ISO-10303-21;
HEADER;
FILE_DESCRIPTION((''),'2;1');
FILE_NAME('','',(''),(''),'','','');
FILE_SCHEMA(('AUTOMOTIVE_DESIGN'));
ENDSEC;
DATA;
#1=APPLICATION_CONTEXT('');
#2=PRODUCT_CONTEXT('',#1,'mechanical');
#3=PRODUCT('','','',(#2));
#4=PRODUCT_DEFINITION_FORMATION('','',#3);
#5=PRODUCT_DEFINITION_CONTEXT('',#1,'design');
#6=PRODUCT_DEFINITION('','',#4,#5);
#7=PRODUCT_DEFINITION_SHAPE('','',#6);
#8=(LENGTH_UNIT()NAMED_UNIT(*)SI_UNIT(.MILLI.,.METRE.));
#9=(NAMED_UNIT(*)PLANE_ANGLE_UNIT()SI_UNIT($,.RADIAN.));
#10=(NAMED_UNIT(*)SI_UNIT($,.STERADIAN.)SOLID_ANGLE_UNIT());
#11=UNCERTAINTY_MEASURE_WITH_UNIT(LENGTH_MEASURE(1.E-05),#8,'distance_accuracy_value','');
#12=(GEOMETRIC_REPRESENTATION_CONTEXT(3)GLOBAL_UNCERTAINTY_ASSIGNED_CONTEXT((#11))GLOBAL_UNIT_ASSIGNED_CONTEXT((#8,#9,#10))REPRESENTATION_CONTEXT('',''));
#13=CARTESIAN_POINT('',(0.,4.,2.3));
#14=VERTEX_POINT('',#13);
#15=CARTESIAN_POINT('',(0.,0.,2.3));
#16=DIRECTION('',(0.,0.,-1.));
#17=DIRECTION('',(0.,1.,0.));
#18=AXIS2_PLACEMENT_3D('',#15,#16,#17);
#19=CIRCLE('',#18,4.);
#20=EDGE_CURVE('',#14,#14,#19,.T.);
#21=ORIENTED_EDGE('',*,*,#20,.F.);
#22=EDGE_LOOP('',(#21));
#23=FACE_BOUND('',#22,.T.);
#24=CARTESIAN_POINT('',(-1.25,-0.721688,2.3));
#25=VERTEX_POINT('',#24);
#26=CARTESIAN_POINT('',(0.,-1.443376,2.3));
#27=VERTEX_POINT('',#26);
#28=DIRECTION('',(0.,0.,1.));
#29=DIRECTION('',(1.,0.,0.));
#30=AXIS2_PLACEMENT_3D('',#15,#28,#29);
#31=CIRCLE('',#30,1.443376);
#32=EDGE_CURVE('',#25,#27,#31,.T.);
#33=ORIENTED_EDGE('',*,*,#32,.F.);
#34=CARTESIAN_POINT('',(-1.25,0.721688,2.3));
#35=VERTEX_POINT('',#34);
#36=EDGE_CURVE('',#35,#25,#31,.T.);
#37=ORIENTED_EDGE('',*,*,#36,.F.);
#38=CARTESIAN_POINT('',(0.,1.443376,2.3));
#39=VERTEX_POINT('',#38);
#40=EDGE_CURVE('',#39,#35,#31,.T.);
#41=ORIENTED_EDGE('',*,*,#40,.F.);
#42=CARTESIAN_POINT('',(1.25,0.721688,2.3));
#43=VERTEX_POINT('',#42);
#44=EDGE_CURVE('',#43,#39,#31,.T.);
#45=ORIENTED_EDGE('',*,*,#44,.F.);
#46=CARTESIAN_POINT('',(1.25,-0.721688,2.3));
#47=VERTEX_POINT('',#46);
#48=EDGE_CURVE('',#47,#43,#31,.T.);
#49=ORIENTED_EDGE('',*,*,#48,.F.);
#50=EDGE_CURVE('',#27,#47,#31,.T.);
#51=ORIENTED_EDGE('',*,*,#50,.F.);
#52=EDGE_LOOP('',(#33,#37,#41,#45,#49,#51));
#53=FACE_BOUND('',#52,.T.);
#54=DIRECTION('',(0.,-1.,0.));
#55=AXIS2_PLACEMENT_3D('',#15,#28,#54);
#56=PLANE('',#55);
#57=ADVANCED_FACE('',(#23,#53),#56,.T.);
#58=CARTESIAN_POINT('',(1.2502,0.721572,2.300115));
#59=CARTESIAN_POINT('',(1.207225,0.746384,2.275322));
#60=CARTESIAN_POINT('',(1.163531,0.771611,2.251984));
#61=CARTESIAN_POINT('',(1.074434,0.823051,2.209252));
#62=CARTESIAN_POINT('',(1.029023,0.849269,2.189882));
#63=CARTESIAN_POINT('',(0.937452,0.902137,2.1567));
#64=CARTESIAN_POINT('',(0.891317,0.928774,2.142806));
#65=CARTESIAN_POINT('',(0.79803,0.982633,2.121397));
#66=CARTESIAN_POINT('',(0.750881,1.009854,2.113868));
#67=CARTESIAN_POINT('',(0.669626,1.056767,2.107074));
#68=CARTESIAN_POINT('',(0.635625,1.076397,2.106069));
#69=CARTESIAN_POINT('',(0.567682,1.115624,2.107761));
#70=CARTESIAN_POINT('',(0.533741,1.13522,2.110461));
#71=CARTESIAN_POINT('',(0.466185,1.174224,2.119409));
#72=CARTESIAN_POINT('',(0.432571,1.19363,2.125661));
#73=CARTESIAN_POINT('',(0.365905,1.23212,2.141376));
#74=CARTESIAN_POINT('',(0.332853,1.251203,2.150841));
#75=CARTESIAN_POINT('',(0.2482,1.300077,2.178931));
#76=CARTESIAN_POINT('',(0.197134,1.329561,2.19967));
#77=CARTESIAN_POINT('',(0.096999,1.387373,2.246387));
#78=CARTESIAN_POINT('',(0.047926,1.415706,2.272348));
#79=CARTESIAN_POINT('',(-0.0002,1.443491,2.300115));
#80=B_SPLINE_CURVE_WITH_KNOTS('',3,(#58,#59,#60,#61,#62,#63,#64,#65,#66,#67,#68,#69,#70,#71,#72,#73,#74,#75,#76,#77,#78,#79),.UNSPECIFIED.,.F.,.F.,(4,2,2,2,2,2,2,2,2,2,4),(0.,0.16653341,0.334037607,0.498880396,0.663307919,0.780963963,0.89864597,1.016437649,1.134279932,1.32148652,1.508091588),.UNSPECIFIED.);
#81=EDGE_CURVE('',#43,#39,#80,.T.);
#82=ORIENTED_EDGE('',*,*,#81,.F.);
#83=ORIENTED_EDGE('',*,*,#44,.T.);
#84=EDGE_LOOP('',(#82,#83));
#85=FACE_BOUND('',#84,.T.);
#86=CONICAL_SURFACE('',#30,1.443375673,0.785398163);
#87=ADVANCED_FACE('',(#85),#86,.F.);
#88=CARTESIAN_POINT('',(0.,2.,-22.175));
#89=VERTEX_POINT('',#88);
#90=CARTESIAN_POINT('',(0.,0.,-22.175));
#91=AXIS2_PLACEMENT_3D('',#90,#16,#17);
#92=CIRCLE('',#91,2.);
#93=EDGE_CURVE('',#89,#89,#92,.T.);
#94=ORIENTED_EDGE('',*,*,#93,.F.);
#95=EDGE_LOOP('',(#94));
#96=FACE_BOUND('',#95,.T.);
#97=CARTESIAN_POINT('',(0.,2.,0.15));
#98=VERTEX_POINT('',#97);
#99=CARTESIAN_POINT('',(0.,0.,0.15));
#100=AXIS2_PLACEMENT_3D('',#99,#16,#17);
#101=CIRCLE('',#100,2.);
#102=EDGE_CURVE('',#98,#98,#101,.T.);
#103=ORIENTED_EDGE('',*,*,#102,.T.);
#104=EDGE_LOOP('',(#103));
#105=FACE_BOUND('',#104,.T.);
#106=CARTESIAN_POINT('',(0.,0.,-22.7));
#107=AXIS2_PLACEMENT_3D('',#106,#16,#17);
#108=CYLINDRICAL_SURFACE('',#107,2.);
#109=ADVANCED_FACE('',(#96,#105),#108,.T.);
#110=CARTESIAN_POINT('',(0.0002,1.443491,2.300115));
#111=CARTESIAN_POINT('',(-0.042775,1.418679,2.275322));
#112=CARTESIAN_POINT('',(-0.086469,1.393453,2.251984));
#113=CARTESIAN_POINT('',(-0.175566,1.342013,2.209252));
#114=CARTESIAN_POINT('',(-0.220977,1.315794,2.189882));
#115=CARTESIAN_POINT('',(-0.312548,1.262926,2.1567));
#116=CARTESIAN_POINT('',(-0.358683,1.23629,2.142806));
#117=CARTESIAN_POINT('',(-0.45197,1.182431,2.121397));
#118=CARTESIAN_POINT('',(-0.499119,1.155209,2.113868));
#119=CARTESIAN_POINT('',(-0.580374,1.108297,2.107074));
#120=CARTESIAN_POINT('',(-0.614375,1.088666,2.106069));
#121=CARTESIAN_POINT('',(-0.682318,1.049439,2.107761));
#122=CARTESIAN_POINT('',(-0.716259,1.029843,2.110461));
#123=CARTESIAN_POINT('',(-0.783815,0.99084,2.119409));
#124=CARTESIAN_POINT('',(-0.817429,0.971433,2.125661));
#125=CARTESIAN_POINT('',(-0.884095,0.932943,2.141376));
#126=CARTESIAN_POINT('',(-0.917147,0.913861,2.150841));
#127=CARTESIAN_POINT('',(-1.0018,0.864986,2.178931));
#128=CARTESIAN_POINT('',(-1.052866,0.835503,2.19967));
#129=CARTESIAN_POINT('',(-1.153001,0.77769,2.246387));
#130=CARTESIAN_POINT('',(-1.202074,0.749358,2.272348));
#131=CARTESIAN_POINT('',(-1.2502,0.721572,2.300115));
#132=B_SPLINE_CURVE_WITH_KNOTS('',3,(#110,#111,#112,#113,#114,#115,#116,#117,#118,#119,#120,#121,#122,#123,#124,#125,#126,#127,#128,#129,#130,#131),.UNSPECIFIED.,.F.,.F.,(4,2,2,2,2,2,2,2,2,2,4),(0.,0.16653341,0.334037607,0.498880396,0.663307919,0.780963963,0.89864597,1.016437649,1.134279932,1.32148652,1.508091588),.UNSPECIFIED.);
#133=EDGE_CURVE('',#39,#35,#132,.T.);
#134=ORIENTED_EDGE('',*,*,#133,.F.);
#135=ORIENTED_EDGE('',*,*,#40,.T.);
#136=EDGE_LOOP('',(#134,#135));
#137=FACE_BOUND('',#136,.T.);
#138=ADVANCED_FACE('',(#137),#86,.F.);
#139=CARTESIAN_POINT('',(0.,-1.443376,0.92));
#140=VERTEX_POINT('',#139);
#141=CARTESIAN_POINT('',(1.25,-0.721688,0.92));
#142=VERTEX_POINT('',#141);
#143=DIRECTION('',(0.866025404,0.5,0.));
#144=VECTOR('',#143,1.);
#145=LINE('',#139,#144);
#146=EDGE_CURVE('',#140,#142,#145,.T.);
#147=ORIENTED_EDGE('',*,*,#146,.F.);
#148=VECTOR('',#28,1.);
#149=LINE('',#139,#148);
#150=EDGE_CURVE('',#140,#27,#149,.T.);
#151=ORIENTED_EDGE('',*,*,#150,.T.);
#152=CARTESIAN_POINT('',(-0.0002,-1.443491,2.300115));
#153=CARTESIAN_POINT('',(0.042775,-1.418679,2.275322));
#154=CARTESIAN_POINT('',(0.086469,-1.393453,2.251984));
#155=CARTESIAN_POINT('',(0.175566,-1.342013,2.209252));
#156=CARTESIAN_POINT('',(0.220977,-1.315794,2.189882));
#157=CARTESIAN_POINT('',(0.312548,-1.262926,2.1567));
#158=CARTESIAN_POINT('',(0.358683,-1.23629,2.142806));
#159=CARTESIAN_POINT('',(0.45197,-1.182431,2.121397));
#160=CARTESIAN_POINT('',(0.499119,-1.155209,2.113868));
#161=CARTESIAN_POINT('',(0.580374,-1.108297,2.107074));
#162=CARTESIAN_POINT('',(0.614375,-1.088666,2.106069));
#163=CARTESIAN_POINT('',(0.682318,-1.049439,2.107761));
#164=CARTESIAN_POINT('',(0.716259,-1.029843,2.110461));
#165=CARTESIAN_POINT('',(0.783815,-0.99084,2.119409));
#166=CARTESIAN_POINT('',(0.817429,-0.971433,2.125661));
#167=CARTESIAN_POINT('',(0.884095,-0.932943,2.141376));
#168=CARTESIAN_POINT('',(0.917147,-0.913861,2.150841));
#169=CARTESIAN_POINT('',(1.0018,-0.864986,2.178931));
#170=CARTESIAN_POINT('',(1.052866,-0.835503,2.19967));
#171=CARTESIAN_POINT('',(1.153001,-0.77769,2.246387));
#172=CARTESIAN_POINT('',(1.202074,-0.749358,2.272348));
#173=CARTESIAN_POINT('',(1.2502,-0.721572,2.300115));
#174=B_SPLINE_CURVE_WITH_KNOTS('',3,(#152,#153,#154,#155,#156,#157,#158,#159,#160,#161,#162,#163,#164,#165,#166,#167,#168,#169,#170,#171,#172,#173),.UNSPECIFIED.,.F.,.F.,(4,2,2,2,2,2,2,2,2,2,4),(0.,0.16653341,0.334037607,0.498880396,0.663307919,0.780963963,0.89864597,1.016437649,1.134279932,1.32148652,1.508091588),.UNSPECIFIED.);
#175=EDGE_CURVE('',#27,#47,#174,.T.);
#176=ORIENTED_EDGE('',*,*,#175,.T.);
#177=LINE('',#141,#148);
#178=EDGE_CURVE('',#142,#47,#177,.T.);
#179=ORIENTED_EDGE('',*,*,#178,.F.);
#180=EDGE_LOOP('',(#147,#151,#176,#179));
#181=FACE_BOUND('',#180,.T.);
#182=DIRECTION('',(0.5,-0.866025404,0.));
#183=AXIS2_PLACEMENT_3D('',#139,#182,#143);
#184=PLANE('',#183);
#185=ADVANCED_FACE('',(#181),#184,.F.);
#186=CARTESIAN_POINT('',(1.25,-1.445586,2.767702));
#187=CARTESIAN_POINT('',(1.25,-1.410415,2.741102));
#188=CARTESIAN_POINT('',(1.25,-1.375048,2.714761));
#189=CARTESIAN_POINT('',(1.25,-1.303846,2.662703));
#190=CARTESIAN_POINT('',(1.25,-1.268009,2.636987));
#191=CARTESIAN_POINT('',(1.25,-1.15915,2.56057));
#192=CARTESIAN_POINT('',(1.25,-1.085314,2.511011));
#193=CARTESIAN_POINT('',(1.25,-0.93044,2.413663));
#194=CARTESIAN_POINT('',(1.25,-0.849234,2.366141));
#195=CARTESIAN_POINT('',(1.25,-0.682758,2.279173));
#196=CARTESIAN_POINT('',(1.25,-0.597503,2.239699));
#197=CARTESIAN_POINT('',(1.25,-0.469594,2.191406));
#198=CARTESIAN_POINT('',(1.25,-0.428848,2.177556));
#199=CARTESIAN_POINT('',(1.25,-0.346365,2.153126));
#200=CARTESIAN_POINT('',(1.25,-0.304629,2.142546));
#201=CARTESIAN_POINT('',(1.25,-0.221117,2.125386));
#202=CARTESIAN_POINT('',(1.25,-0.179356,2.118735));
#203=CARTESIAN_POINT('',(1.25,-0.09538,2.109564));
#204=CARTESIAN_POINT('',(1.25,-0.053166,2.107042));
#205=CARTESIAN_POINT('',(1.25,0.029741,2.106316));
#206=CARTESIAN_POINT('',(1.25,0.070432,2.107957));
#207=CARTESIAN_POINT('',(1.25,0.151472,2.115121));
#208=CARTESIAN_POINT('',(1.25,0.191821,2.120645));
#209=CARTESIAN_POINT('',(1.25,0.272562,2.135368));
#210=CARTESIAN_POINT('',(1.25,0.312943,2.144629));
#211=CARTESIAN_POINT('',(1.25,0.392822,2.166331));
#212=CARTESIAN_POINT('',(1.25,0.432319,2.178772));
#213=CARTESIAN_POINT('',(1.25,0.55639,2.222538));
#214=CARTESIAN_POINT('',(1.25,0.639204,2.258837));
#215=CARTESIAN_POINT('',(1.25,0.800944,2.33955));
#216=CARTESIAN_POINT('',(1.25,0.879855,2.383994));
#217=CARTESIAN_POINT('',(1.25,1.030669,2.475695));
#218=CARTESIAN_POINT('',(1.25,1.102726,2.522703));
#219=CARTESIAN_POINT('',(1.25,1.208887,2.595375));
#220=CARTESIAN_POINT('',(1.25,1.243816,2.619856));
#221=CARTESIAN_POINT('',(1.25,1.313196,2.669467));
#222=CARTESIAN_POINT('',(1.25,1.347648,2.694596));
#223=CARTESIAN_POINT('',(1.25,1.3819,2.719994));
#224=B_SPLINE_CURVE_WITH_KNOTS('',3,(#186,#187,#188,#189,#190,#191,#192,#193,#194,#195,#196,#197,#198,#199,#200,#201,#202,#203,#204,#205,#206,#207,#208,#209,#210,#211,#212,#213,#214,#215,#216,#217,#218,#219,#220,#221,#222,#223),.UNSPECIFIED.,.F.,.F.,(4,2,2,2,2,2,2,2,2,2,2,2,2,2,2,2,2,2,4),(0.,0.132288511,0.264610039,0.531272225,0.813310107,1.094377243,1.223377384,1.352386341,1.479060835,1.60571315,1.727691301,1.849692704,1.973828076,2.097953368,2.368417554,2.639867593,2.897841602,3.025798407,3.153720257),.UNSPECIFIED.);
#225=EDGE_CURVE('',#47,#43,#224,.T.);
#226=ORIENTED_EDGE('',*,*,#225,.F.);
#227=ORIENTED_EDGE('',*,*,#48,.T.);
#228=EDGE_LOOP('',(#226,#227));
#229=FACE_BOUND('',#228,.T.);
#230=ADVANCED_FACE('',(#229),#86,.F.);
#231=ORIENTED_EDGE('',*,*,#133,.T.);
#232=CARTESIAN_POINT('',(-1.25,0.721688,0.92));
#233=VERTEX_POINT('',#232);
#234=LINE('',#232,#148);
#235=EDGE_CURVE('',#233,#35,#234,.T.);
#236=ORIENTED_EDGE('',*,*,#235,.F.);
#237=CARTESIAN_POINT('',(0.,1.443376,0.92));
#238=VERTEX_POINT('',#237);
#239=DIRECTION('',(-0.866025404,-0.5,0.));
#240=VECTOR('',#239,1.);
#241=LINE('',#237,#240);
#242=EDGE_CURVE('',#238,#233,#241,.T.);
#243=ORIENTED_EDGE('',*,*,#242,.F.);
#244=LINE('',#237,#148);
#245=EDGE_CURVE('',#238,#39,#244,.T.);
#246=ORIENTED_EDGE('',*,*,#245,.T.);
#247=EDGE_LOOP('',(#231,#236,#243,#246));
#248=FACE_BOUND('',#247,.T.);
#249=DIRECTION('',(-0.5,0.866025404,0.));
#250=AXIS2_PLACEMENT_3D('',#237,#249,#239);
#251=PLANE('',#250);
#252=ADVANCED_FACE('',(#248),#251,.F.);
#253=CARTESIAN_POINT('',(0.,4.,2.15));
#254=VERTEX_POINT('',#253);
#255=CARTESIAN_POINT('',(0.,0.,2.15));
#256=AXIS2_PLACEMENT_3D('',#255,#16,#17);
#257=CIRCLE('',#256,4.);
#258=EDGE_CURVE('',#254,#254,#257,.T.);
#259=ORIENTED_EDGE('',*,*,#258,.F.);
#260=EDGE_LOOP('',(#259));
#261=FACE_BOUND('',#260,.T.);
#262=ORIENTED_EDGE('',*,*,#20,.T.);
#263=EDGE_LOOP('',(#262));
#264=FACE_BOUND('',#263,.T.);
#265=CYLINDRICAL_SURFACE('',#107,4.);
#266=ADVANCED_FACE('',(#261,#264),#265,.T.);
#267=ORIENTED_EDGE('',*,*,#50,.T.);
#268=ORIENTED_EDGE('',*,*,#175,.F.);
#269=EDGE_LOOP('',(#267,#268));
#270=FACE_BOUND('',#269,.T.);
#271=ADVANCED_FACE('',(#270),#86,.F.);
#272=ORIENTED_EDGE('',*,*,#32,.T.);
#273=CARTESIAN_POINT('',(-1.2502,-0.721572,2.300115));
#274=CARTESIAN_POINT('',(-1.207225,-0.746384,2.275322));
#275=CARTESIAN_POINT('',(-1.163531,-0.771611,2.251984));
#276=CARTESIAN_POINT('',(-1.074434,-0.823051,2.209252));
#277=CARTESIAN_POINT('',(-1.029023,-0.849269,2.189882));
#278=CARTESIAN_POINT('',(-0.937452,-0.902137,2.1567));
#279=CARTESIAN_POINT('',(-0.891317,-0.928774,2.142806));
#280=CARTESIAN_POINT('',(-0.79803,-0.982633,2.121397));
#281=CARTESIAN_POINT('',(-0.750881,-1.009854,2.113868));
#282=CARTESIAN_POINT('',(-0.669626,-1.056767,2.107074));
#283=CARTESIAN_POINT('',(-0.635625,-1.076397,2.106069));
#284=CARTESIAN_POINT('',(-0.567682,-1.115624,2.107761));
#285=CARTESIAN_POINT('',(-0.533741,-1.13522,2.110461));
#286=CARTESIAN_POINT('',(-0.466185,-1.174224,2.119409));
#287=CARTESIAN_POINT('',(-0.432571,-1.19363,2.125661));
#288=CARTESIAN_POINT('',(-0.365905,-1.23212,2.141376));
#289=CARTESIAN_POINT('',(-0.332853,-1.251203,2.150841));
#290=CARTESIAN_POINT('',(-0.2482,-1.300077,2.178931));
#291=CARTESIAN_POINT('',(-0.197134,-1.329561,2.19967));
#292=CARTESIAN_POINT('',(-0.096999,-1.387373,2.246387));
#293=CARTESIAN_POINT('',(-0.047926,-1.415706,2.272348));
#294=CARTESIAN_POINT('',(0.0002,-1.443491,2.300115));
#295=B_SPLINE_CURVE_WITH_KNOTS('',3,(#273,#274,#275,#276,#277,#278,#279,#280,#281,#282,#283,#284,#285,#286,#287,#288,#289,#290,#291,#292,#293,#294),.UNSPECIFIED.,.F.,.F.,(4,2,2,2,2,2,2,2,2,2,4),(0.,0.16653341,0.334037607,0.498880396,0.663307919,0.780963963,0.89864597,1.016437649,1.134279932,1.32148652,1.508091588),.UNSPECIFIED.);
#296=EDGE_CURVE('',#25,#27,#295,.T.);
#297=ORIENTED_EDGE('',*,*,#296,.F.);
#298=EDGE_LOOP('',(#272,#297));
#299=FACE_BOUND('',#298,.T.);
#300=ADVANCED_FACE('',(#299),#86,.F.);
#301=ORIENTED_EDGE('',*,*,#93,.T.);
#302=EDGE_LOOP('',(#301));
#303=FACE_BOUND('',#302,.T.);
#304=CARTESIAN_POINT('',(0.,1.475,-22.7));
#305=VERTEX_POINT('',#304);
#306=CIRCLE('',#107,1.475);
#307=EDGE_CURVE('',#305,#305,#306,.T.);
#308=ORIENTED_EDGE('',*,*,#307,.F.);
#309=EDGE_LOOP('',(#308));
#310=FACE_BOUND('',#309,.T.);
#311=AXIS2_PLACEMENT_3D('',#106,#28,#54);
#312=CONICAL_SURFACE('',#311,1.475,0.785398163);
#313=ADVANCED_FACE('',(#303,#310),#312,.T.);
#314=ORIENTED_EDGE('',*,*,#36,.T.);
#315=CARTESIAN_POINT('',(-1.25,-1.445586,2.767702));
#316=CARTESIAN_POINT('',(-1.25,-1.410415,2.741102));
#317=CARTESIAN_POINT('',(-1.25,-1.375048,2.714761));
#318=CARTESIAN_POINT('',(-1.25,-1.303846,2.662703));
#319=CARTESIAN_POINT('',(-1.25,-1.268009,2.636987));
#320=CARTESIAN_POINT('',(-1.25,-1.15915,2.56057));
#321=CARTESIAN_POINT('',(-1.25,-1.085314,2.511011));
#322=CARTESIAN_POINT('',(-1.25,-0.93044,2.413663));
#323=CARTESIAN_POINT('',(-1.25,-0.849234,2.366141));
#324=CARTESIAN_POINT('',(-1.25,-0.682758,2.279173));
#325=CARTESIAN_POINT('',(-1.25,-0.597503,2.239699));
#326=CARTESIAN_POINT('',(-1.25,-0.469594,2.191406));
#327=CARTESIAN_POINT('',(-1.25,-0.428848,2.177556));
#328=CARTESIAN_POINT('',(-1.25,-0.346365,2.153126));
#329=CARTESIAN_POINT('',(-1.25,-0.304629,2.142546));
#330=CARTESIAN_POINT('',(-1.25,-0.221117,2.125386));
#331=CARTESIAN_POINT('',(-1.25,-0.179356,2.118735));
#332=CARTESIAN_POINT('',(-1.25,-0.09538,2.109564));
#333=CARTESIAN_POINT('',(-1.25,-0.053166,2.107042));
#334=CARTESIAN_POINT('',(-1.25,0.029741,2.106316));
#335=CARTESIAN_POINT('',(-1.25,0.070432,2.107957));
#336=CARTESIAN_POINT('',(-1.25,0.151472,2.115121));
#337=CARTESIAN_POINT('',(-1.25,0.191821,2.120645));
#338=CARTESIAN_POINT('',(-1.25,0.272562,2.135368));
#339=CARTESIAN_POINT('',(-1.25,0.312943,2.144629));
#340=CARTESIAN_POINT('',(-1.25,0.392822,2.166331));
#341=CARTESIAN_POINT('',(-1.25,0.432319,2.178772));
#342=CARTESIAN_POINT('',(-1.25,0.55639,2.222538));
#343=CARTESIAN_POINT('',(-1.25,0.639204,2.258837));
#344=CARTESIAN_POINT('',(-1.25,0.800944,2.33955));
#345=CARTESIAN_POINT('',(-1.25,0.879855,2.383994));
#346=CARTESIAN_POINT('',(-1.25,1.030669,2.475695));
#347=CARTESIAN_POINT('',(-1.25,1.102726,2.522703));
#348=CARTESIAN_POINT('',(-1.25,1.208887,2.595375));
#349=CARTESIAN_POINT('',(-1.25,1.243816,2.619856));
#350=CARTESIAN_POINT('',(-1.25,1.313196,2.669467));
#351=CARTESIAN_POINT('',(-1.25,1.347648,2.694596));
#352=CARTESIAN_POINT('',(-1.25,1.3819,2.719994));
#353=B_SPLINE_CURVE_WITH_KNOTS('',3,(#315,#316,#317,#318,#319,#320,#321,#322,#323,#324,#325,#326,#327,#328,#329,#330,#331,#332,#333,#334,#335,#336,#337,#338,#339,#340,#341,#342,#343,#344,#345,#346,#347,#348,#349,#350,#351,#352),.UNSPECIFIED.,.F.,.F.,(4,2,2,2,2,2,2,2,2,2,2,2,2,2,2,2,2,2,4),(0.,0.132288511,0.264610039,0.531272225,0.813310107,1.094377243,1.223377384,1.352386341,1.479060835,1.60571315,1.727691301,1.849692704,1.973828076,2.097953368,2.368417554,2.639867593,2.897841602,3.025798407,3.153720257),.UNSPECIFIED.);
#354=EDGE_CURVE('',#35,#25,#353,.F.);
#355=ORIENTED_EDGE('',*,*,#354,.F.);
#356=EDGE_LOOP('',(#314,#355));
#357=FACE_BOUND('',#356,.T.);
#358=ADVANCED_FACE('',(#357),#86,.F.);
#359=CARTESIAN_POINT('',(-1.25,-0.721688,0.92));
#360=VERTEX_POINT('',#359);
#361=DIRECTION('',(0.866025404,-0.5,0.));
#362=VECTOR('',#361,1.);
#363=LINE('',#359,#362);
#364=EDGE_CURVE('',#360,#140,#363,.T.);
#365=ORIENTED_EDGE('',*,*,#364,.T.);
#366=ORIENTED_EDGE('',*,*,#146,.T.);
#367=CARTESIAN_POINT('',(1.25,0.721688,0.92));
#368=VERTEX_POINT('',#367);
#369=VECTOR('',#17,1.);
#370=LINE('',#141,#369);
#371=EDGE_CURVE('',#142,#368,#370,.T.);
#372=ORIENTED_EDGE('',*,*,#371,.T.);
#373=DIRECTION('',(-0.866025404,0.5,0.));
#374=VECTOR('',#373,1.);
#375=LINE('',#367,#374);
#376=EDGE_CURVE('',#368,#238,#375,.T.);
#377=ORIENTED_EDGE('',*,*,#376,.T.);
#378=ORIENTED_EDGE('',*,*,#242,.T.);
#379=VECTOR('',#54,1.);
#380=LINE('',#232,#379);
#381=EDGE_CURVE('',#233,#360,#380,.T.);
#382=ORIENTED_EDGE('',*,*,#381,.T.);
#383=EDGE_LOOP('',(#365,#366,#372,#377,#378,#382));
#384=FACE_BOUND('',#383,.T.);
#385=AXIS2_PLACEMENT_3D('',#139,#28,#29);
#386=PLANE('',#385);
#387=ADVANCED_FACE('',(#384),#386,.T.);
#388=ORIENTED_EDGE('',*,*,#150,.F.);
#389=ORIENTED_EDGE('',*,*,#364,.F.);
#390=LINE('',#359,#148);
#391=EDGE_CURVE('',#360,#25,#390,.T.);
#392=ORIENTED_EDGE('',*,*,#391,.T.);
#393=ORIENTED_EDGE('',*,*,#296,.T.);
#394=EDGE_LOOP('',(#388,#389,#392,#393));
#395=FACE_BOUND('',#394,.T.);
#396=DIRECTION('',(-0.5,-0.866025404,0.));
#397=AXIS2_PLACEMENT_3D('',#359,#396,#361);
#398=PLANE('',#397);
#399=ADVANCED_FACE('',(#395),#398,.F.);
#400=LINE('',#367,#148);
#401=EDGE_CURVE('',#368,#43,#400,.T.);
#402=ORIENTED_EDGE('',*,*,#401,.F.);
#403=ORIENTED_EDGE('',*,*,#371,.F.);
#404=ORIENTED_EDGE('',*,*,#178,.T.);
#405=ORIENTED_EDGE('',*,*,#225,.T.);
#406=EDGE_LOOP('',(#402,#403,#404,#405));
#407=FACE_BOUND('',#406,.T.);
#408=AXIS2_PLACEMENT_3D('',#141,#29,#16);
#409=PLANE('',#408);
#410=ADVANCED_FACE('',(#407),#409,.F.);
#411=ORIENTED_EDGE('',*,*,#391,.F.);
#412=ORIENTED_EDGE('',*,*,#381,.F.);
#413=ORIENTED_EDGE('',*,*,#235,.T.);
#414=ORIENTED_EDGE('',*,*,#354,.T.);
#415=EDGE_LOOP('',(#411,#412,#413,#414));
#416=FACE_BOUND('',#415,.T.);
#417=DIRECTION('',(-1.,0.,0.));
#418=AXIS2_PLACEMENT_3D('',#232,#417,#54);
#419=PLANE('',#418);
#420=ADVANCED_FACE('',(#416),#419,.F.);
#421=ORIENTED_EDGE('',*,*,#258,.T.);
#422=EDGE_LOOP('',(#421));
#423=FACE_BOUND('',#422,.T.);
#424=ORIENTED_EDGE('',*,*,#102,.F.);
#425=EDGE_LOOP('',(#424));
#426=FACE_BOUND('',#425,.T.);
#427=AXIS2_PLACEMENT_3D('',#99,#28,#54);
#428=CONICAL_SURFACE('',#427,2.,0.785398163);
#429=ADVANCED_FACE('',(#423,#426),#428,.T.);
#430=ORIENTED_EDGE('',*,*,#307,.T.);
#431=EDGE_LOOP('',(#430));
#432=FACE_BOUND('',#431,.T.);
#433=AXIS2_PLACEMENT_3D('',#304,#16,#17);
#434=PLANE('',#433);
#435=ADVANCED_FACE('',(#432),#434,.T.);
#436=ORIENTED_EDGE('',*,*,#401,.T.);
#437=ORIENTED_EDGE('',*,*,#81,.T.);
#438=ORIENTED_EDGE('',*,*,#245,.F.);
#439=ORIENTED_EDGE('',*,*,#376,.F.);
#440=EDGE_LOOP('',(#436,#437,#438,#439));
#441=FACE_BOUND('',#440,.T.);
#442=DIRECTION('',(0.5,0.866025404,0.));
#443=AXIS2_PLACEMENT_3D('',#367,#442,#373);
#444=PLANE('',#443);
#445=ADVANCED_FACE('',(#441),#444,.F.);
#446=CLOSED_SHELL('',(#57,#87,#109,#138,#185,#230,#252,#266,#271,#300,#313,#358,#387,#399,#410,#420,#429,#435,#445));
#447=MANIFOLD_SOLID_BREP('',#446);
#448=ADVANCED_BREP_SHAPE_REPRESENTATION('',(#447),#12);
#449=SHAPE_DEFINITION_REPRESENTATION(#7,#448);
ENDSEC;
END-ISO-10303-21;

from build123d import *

# Parameters (mm, degrees)
CUT_EXTRUDE2_DEPTH = 1.38
SKETCH6_R          = 1.443375673
CUT_EXTRUDE3_DEPTH = 1.38
CUT_EXTRUDE3_TAPER = 45


with BuildPart() as part:
    # Sketch14 → Revolve1 (revolve)
    with BuildSketch(Plane(origin=(0, 0, 0), x_dir=(0, 0, -1), z_dir=(1, 0, 0))):
        Polygon((-2.3, 0), (-2.3, 4), (-2.15, 4), (-0.15, 2), (0, 2), (22.175, 2), (22.7, 1.475), (22.7, 0), align=None)
    revolve(axis=Axis((0, 0, -22.7), (0, 0, 1)))

    # Sketch5 → Cut-Extrude2 (cut)
    with BuildSketch(Plane.XY.offset(2.3)):
        Polygon((0, -1.443375673), (1.25, -0.721687836), (1.25, 0.721687836), (0, 1.443375673), (-1.25, 0.721687836), (-1.25, -0.721687836), align=None)
    extrude(amount=-CUT_EXTRUDE2_DEPTH, mode=Mode.SUBTRACT)

    # Sketch6 → Cut-Extrude3 (cut)
    with BuildSketch(Plane.XY.offset(2.3)):
        Circle(SKETCH6_R)
    extrude(amount=-CUT_EXTRUDE3_DEPTH, taper=CUT_EXTRUDE3_TAPER, mode=Mode.SUBTRACT)


solid = part.part
